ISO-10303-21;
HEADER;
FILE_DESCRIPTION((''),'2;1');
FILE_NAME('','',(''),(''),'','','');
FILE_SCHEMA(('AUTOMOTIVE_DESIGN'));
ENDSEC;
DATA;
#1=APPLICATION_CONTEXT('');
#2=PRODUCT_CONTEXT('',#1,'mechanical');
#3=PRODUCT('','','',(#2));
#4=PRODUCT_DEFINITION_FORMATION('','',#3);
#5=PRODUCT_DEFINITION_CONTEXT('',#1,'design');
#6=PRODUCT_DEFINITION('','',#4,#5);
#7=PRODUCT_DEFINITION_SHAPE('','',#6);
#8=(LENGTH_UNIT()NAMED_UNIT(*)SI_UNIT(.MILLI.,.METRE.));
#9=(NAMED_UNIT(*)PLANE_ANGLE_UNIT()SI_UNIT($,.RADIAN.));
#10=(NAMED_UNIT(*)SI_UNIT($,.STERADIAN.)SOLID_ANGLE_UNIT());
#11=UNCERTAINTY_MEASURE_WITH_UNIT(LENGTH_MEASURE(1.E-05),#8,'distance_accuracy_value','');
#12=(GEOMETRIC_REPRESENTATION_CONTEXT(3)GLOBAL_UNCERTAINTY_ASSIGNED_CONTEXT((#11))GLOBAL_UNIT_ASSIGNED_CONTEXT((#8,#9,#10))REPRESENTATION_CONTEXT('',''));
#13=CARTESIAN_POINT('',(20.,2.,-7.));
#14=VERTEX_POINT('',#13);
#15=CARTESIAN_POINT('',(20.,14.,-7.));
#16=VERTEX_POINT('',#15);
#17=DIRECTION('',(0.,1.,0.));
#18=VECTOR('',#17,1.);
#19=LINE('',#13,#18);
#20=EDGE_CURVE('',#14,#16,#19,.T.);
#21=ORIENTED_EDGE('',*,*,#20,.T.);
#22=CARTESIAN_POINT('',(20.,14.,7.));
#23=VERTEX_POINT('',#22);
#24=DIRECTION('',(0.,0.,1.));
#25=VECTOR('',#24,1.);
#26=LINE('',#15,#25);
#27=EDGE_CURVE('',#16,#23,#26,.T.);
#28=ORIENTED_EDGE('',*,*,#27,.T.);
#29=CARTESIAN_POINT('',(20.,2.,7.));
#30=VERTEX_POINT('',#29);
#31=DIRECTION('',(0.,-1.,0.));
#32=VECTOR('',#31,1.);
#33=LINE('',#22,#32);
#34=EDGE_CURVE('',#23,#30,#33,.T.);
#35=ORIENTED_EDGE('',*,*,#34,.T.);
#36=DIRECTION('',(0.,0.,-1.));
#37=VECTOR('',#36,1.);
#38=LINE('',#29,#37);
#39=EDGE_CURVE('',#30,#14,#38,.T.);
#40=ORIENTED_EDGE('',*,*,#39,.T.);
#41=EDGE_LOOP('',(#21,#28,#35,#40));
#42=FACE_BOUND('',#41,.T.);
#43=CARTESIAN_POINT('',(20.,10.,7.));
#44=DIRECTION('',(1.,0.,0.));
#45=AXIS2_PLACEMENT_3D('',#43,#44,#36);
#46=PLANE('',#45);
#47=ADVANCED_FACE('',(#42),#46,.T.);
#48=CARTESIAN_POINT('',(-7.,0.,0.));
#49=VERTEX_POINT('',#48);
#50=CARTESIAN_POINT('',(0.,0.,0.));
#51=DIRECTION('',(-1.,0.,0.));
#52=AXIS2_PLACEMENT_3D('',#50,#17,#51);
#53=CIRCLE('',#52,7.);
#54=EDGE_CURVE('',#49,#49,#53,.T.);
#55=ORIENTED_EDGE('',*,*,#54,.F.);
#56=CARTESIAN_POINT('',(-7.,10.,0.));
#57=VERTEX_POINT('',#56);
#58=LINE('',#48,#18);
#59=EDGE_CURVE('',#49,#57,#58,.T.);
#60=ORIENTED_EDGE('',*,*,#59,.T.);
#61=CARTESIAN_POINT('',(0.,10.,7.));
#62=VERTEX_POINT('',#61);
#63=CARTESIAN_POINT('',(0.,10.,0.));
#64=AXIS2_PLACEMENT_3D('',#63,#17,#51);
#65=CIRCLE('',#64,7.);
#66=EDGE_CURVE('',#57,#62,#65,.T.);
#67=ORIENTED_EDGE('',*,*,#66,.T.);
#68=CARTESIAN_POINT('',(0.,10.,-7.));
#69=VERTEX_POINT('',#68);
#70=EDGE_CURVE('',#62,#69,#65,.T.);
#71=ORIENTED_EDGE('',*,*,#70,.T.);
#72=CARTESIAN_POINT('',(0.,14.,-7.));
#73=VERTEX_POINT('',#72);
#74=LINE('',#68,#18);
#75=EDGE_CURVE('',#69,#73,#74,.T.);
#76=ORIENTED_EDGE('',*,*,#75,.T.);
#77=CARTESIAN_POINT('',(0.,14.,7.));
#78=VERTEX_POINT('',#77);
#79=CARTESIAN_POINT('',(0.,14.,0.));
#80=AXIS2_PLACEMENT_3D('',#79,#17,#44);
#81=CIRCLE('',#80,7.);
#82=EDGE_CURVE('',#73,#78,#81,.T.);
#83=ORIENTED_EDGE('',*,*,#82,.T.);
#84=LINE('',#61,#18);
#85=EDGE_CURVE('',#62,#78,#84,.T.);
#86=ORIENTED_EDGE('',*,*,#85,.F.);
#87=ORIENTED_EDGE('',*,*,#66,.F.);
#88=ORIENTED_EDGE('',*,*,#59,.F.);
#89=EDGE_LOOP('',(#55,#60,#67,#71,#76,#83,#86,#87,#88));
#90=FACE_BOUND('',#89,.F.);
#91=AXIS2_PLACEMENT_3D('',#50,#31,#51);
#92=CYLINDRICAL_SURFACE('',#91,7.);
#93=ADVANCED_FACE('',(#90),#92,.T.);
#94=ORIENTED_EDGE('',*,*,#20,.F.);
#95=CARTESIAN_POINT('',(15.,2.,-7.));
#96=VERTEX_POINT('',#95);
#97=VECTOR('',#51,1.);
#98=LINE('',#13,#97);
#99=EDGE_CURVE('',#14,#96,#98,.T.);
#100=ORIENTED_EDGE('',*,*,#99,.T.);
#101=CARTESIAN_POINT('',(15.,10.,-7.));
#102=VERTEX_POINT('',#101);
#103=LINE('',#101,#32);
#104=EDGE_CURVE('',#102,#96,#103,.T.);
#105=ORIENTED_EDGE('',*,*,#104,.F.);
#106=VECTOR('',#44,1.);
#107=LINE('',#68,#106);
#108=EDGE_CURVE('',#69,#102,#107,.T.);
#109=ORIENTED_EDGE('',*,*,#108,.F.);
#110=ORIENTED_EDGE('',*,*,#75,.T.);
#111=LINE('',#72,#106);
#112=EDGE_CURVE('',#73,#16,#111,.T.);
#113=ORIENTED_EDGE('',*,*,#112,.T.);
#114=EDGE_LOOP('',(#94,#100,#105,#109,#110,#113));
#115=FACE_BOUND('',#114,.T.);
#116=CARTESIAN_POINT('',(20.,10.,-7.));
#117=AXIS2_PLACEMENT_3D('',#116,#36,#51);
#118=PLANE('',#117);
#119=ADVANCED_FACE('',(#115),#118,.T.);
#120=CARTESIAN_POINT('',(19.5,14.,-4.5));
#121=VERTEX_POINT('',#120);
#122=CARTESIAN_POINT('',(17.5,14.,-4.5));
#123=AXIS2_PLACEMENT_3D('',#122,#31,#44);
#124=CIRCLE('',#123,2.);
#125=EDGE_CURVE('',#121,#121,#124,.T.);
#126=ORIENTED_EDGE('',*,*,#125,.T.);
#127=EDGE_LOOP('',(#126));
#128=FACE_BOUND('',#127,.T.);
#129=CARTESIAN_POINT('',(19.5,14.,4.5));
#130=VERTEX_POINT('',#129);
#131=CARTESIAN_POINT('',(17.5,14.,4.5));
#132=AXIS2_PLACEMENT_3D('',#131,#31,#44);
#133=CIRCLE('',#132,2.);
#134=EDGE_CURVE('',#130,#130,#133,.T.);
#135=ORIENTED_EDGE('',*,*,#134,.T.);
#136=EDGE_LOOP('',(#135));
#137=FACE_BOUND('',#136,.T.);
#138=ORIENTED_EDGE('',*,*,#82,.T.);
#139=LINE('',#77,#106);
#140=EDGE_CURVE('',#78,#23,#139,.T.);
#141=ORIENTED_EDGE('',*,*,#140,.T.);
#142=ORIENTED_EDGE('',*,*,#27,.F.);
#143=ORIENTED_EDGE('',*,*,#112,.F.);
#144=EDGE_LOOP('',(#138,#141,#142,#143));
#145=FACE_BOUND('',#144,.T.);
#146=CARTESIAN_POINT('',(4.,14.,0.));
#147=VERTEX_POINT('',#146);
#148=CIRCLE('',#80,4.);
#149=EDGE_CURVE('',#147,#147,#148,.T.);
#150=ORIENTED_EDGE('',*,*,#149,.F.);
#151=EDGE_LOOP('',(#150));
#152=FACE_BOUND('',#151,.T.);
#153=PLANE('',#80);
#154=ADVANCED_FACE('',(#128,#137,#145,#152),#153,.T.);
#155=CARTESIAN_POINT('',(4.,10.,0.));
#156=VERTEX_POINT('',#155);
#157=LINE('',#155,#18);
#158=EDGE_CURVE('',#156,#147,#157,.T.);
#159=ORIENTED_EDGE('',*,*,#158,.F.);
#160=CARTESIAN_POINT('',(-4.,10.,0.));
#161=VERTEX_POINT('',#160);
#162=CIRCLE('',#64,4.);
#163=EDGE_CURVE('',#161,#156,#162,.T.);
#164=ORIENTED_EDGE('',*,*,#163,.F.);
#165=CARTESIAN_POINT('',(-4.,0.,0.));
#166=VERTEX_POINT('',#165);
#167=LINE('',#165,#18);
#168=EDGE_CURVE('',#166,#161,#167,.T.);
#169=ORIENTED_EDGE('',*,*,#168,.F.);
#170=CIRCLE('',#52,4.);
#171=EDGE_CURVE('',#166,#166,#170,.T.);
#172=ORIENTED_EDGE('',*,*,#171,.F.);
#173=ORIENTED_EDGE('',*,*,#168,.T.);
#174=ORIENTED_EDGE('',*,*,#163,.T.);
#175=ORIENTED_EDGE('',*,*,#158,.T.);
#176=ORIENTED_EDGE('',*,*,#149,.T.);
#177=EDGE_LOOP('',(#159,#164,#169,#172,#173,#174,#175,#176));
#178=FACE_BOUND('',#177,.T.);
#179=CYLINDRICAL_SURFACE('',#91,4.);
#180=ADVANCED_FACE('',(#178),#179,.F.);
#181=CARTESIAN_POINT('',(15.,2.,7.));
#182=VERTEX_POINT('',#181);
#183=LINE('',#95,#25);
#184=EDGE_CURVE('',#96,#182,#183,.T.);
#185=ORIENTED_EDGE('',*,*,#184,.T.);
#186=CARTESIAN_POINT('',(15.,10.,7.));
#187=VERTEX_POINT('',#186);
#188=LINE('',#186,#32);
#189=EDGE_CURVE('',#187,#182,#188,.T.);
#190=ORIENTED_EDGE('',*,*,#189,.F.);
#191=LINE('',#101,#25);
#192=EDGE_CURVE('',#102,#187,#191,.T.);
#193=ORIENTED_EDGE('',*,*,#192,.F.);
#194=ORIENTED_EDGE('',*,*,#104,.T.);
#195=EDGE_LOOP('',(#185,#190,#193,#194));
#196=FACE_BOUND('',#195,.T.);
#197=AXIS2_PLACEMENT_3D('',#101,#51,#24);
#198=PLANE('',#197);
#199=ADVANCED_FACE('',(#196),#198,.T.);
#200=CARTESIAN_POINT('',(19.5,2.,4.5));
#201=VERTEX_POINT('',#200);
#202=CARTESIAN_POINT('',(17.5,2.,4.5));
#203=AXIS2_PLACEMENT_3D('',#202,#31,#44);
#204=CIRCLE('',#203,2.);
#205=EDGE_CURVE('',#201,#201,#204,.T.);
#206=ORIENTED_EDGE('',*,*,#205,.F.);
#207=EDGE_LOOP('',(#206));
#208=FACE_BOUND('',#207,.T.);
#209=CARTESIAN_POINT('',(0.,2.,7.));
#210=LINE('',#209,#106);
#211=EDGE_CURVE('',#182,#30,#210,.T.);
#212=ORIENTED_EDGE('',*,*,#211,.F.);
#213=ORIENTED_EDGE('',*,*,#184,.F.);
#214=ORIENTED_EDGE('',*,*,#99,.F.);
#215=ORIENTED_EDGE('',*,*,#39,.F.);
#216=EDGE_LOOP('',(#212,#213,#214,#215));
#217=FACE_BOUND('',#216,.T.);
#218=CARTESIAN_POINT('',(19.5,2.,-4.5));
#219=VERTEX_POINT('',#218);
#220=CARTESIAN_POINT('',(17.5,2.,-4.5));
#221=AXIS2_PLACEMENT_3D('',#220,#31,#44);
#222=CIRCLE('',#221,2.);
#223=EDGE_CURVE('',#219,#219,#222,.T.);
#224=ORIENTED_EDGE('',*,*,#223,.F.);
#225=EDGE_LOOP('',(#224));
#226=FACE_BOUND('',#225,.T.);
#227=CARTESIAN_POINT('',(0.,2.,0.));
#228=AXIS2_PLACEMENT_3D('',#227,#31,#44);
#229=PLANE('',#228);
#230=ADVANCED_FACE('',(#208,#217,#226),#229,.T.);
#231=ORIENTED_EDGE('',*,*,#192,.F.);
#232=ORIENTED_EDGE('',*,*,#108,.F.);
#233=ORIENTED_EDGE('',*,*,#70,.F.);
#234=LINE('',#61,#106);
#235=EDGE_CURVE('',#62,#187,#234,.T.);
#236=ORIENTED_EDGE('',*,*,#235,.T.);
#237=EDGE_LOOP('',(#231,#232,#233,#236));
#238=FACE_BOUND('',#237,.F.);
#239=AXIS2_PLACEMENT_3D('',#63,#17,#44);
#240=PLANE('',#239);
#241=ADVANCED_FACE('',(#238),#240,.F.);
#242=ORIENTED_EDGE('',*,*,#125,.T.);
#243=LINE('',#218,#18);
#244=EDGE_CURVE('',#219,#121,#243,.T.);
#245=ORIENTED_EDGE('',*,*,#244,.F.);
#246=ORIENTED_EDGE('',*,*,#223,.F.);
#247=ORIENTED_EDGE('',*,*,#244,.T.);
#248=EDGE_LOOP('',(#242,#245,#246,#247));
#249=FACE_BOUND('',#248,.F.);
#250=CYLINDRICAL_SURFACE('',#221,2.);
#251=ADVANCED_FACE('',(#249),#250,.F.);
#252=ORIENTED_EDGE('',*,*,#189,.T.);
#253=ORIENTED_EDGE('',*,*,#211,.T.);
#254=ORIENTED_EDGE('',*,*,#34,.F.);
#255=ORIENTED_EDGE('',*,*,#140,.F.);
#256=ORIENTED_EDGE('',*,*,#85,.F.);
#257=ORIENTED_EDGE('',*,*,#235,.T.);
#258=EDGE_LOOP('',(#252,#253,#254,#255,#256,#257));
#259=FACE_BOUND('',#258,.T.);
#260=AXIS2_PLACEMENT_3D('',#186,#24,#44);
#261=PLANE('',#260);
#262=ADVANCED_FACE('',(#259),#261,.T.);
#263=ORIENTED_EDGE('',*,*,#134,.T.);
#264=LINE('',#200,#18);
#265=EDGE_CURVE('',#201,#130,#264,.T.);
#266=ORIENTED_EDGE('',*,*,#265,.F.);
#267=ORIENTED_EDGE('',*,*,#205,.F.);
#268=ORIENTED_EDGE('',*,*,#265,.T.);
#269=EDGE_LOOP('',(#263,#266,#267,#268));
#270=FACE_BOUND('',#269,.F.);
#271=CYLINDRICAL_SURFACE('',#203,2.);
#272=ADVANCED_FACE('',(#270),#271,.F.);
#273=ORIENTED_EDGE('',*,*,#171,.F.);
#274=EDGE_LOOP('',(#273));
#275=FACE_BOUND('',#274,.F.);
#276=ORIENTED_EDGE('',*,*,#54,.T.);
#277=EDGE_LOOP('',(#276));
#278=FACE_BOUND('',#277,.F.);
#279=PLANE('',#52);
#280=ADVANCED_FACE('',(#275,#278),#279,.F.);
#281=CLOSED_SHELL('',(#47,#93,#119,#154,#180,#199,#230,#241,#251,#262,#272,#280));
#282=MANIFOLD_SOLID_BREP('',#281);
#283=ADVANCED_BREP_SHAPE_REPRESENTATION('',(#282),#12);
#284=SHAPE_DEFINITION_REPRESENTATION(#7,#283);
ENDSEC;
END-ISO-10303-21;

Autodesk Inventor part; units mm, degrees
ref_plane "YZ Plane" through (0, 0, 0) normal (1, 0, 0) x (0, 1, 0)
ref_plane "XZ Plane" through (0, 0, 0) normal (0, 1, 0) x (-1, 0, 0)
ref_plane "XY Plane" through (0, 0, 0) normal (0, 0, 1) x (1, 0, 0)
sketch "Sketch1" plane through (0, 0, 0) normal (0, 1, 0) x (-1, 0, 0)
  circle A0 centre (0, 0) radius 4
  circle A1 centre (0, 0) radius 7
  dimension "d0" = 8
  dimension "d1" = 14
extrude "Extrusion1" add sketch "Sketch1" along normal blind 10
sketch "Sketch2" plane through (0, 10, 0) normal (0, 1, 0) x (1, 0, 0)
  circle A0 centre (0, 0) radius 7 projected
  line L0 (0, -7) -> (20, -7)
  line L1 (0, 7) -> (20, 7)
  line L2 (20, 7) -> (20, -7)
  circle A1 centre (0, 0) radius 4
  arc A2 (0, 7) -> (0, -7) centre (0, 0) ccw
  dimension "d4" = 20
extrude "Extrusion2" add sketch "Sketch2" along normal blind 4
sketch "Sketch3" plane through (0, 10, 0) normal (0, -1, 0) x (1, 0, 0)
  line L0 (20, 7) -> (20, -7) projected
  line L1 (0, 7) -> (20, 7) projected
  line L2 (20, -7) -> (15, -7)
  line L3 (15, -7) -> (15, 7)
  line L4 (15, 7) -> (20, 7)
  line L5 (20, 7) -> (20, -7)
  point P0 (0, 0)
  dimension "d9" = 5
extrude "Extrusion3" add sketch "Sketch3" along normal blind 8
sketch "Sketch4" plane through (0, 2, 0) normal (0, -1, 0) x (1, 0, 0)
  circle A0 centre (17.5, -4.5) radius 2
  line L0 (20, -7) -> (20, 7) projected
  circle A1 centre (17.5, 4.5) radius 2
  line L1 (20, 7) -> (15, 7) projected
  line L2 (15, -7) -> (20, -7) projected
  point P0 (0, 0)
  dimension "d12" = 4
  dimension "d13" = 2.5
  dimension "d14" = 4
  dimension "d15" = 2.5
  dimension "d16" = 2.5
extrude "Extrusion4" cut sketch "Sketch4" against normal blind 15
properties part number "bedtiedown"
